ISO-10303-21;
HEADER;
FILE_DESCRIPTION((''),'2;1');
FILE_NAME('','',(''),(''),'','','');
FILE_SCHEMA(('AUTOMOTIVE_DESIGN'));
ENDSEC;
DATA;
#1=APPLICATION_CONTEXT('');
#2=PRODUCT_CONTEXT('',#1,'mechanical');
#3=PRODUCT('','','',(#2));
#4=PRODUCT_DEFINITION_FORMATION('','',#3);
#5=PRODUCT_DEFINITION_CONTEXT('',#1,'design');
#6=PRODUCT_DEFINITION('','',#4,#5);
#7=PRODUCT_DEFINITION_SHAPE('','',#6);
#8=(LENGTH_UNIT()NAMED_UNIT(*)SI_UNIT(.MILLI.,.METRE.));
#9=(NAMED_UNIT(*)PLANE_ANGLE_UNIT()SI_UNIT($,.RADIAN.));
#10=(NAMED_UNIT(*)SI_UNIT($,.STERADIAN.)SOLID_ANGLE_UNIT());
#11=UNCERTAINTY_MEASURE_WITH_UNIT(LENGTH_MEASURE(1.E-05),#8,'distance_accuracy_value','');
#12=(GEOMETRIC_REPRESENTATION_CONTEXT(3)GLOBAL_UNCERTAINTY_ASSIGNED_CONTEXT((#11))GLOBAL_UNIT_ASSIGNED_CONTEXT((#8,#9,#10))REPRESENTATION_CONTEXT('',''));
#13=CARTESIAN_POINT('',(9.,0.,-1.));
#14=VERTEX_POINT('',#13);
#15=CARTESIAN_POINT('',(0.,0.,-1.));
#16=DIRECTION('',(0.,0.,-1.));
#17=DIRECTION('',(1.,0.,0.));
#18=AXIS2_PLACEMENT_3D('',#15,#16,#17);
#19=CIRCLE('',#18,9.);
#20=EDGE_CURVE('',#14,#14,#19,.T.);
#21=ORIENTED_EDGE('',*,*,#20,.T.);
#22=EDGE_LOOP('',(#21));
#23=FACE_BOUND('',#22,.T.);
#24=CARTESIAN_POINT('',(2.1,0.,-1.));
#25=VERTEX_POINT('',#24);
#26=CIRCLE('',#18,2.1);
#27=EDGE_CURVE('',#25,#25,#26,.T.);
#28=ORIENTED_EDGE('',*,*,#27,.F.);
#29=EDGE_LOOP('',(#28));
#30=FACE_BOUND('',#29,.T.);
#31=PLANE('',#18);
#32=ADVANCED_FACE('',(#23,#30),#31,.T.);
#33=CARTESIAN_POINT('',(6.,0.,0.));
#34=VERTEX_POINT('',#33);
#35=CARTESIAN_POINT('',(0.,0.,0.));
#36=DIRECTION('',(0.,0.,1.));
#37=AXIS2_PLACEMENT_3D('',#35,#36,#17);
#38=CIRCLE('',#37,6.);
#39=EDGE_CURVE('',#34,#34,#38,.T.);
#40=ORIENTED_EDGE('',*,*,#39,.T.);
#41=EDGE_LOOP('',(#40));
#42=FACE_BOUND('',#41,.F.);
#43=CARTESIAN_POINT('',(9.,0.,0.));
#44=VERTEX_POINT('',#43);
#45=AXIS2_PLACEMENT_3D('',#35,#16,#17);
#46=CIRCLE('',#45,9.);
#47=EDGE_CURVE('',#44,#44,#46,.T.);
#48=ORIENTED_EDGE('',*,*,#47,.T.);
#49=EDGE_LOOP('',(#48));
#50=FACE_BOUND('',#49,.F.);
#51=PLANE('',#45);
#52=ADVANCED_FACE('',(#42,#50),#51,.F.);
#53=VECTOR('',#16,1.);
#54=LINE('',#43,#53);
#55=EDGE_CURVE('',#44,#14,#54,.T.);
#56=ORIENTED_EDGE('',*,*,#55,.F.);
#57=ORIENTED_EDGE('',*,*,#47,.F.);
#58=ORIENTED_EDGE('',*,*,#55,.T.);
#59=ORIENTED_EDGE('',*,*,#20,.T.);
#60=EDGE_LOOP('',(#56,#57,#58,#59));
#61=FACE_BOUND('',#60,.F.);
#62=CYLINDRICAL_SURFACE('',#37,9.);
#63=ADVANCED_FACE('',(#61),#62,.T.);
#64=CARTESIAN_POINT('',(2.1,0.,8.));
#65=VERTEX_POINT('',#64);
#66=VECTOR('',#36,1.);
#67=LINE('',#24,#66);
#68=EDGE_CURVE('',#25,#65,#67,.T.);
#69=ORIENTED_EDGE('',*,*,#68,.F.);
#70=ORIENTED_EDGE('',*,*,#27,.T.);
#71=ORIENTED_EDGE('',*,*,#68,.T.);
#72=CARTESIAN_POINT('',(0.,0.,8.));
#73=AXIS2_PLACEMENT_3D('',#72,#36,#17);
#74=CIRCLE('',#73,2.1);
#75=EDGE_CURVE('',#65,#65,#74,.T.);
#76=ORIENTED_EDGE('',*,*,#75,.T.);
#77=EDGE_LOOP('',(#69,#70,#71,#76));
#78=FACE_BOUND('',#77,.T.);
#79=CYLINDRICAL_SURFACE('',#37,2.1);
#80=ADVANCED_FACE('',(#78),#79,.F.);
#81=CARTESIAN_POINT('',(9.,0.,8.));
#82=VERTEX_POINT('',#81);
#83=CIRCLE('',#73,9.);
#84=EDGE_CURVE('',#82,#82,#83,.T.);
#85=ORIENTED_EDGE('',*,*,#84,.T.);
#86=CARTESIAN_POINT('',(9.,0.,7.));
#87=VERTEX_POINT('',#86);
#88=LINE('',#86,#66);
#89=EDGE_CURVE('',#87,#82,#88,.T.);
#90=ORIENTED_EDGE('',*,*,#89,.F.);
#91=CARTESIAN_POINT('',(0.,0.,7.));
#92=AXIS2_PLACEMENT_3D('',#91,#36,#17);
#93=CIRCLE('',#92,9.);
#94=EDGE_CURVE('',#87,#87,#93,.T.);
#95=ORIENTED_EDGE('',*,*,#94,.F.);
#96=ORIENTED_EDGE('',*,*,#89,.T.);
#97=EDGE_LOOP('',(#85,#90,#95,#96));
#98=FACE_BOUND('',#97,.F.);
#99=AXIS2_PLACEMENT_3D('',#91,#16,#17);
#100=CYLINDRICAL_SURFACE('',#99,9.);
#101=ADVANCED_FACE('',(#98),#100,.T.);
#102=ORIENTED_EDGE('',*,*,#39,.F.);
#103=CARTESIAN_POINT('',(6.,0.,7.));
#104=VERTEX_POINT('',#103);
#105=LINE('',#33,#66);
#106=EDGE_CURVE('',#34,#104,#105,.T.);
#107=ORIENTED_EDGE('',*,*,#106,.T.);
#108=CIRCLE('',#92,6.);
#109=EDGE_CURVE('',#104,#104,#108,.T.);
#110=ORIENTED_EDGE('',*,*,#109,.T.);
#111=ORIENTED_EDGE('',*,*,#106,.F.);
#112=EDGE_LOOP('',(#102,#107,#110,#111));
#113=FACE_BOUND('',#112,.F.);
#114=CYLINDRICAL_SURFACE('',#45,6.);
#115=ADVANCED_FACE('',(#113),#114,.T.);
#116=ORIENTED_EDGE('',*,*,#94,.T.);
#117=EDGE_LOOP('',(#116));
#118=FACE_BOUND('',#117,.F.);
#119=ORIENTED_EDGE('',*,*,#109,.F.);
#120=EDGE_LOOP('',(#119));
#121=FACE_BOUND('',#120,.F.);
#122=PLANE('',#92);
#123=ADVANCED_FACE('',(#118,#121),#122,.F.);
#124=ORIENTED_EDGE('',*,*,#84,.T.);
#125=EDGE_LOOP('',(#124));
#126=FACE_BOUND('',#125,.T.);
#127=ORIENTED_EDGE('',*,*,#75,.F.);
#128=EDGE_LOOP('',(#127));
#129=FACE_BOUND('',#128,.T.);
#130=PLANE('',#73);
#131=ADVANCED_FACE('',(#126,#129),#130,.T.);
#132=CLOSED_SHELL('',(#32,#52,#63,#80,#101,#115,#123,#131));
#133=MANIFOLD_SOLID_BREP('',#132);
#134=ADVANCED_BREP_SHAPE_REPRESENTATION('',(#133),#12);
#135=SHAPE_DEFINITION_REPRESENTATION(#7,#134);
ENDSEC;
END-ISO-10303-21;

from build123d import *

# Parameters (mm, degrees)
SKETCH_R      = 6
SKETCH_R_2    = 2.1
PAD_DEPTH     = 7
SKETCH001_R   = 9
SKETCH001_R_2 = 2.1
PAD001_DEPTH  = 1
SKETCH002_R   = 9
SKETCH002_R_2 = 2.1
PAD002_DEPTH  = 1


with BuildPart() as part:
    # Sketch → Pad (new body)
    with BuildSketch(Plane.XY):
        Circle(SKETCH_R)
        Circle(SKETCH_R_2, mode=Mode.SUBTRACT)
    extrude(amount=PAD_DEPTH)

    # Sketch001 (on Face4 of Pad) → Pad001 (join)
    with BuildSketch(Plane.XY.offset(7)):
        Circle(SKETCH001_R)
        Circle(SKETCH001_R_2, mode=Mode.SUBTRACT)
    extrude(amount=PAD001_DEPTH)

    # Sketch002 (on Face2 of Pad001) → Pad002 (join)
    with BuildSketch(Plane(origin=(0, 0, 0), x_dir=(1, 0, 0), z_dir=(0, 0, -1))):
        Circle(SKETCH002_R)
        Circle(SKETCH002_R_2, mode=Mode.SUBTRACT)
    extrude(amount=PAD002_DEPTH)


solid = part.part
